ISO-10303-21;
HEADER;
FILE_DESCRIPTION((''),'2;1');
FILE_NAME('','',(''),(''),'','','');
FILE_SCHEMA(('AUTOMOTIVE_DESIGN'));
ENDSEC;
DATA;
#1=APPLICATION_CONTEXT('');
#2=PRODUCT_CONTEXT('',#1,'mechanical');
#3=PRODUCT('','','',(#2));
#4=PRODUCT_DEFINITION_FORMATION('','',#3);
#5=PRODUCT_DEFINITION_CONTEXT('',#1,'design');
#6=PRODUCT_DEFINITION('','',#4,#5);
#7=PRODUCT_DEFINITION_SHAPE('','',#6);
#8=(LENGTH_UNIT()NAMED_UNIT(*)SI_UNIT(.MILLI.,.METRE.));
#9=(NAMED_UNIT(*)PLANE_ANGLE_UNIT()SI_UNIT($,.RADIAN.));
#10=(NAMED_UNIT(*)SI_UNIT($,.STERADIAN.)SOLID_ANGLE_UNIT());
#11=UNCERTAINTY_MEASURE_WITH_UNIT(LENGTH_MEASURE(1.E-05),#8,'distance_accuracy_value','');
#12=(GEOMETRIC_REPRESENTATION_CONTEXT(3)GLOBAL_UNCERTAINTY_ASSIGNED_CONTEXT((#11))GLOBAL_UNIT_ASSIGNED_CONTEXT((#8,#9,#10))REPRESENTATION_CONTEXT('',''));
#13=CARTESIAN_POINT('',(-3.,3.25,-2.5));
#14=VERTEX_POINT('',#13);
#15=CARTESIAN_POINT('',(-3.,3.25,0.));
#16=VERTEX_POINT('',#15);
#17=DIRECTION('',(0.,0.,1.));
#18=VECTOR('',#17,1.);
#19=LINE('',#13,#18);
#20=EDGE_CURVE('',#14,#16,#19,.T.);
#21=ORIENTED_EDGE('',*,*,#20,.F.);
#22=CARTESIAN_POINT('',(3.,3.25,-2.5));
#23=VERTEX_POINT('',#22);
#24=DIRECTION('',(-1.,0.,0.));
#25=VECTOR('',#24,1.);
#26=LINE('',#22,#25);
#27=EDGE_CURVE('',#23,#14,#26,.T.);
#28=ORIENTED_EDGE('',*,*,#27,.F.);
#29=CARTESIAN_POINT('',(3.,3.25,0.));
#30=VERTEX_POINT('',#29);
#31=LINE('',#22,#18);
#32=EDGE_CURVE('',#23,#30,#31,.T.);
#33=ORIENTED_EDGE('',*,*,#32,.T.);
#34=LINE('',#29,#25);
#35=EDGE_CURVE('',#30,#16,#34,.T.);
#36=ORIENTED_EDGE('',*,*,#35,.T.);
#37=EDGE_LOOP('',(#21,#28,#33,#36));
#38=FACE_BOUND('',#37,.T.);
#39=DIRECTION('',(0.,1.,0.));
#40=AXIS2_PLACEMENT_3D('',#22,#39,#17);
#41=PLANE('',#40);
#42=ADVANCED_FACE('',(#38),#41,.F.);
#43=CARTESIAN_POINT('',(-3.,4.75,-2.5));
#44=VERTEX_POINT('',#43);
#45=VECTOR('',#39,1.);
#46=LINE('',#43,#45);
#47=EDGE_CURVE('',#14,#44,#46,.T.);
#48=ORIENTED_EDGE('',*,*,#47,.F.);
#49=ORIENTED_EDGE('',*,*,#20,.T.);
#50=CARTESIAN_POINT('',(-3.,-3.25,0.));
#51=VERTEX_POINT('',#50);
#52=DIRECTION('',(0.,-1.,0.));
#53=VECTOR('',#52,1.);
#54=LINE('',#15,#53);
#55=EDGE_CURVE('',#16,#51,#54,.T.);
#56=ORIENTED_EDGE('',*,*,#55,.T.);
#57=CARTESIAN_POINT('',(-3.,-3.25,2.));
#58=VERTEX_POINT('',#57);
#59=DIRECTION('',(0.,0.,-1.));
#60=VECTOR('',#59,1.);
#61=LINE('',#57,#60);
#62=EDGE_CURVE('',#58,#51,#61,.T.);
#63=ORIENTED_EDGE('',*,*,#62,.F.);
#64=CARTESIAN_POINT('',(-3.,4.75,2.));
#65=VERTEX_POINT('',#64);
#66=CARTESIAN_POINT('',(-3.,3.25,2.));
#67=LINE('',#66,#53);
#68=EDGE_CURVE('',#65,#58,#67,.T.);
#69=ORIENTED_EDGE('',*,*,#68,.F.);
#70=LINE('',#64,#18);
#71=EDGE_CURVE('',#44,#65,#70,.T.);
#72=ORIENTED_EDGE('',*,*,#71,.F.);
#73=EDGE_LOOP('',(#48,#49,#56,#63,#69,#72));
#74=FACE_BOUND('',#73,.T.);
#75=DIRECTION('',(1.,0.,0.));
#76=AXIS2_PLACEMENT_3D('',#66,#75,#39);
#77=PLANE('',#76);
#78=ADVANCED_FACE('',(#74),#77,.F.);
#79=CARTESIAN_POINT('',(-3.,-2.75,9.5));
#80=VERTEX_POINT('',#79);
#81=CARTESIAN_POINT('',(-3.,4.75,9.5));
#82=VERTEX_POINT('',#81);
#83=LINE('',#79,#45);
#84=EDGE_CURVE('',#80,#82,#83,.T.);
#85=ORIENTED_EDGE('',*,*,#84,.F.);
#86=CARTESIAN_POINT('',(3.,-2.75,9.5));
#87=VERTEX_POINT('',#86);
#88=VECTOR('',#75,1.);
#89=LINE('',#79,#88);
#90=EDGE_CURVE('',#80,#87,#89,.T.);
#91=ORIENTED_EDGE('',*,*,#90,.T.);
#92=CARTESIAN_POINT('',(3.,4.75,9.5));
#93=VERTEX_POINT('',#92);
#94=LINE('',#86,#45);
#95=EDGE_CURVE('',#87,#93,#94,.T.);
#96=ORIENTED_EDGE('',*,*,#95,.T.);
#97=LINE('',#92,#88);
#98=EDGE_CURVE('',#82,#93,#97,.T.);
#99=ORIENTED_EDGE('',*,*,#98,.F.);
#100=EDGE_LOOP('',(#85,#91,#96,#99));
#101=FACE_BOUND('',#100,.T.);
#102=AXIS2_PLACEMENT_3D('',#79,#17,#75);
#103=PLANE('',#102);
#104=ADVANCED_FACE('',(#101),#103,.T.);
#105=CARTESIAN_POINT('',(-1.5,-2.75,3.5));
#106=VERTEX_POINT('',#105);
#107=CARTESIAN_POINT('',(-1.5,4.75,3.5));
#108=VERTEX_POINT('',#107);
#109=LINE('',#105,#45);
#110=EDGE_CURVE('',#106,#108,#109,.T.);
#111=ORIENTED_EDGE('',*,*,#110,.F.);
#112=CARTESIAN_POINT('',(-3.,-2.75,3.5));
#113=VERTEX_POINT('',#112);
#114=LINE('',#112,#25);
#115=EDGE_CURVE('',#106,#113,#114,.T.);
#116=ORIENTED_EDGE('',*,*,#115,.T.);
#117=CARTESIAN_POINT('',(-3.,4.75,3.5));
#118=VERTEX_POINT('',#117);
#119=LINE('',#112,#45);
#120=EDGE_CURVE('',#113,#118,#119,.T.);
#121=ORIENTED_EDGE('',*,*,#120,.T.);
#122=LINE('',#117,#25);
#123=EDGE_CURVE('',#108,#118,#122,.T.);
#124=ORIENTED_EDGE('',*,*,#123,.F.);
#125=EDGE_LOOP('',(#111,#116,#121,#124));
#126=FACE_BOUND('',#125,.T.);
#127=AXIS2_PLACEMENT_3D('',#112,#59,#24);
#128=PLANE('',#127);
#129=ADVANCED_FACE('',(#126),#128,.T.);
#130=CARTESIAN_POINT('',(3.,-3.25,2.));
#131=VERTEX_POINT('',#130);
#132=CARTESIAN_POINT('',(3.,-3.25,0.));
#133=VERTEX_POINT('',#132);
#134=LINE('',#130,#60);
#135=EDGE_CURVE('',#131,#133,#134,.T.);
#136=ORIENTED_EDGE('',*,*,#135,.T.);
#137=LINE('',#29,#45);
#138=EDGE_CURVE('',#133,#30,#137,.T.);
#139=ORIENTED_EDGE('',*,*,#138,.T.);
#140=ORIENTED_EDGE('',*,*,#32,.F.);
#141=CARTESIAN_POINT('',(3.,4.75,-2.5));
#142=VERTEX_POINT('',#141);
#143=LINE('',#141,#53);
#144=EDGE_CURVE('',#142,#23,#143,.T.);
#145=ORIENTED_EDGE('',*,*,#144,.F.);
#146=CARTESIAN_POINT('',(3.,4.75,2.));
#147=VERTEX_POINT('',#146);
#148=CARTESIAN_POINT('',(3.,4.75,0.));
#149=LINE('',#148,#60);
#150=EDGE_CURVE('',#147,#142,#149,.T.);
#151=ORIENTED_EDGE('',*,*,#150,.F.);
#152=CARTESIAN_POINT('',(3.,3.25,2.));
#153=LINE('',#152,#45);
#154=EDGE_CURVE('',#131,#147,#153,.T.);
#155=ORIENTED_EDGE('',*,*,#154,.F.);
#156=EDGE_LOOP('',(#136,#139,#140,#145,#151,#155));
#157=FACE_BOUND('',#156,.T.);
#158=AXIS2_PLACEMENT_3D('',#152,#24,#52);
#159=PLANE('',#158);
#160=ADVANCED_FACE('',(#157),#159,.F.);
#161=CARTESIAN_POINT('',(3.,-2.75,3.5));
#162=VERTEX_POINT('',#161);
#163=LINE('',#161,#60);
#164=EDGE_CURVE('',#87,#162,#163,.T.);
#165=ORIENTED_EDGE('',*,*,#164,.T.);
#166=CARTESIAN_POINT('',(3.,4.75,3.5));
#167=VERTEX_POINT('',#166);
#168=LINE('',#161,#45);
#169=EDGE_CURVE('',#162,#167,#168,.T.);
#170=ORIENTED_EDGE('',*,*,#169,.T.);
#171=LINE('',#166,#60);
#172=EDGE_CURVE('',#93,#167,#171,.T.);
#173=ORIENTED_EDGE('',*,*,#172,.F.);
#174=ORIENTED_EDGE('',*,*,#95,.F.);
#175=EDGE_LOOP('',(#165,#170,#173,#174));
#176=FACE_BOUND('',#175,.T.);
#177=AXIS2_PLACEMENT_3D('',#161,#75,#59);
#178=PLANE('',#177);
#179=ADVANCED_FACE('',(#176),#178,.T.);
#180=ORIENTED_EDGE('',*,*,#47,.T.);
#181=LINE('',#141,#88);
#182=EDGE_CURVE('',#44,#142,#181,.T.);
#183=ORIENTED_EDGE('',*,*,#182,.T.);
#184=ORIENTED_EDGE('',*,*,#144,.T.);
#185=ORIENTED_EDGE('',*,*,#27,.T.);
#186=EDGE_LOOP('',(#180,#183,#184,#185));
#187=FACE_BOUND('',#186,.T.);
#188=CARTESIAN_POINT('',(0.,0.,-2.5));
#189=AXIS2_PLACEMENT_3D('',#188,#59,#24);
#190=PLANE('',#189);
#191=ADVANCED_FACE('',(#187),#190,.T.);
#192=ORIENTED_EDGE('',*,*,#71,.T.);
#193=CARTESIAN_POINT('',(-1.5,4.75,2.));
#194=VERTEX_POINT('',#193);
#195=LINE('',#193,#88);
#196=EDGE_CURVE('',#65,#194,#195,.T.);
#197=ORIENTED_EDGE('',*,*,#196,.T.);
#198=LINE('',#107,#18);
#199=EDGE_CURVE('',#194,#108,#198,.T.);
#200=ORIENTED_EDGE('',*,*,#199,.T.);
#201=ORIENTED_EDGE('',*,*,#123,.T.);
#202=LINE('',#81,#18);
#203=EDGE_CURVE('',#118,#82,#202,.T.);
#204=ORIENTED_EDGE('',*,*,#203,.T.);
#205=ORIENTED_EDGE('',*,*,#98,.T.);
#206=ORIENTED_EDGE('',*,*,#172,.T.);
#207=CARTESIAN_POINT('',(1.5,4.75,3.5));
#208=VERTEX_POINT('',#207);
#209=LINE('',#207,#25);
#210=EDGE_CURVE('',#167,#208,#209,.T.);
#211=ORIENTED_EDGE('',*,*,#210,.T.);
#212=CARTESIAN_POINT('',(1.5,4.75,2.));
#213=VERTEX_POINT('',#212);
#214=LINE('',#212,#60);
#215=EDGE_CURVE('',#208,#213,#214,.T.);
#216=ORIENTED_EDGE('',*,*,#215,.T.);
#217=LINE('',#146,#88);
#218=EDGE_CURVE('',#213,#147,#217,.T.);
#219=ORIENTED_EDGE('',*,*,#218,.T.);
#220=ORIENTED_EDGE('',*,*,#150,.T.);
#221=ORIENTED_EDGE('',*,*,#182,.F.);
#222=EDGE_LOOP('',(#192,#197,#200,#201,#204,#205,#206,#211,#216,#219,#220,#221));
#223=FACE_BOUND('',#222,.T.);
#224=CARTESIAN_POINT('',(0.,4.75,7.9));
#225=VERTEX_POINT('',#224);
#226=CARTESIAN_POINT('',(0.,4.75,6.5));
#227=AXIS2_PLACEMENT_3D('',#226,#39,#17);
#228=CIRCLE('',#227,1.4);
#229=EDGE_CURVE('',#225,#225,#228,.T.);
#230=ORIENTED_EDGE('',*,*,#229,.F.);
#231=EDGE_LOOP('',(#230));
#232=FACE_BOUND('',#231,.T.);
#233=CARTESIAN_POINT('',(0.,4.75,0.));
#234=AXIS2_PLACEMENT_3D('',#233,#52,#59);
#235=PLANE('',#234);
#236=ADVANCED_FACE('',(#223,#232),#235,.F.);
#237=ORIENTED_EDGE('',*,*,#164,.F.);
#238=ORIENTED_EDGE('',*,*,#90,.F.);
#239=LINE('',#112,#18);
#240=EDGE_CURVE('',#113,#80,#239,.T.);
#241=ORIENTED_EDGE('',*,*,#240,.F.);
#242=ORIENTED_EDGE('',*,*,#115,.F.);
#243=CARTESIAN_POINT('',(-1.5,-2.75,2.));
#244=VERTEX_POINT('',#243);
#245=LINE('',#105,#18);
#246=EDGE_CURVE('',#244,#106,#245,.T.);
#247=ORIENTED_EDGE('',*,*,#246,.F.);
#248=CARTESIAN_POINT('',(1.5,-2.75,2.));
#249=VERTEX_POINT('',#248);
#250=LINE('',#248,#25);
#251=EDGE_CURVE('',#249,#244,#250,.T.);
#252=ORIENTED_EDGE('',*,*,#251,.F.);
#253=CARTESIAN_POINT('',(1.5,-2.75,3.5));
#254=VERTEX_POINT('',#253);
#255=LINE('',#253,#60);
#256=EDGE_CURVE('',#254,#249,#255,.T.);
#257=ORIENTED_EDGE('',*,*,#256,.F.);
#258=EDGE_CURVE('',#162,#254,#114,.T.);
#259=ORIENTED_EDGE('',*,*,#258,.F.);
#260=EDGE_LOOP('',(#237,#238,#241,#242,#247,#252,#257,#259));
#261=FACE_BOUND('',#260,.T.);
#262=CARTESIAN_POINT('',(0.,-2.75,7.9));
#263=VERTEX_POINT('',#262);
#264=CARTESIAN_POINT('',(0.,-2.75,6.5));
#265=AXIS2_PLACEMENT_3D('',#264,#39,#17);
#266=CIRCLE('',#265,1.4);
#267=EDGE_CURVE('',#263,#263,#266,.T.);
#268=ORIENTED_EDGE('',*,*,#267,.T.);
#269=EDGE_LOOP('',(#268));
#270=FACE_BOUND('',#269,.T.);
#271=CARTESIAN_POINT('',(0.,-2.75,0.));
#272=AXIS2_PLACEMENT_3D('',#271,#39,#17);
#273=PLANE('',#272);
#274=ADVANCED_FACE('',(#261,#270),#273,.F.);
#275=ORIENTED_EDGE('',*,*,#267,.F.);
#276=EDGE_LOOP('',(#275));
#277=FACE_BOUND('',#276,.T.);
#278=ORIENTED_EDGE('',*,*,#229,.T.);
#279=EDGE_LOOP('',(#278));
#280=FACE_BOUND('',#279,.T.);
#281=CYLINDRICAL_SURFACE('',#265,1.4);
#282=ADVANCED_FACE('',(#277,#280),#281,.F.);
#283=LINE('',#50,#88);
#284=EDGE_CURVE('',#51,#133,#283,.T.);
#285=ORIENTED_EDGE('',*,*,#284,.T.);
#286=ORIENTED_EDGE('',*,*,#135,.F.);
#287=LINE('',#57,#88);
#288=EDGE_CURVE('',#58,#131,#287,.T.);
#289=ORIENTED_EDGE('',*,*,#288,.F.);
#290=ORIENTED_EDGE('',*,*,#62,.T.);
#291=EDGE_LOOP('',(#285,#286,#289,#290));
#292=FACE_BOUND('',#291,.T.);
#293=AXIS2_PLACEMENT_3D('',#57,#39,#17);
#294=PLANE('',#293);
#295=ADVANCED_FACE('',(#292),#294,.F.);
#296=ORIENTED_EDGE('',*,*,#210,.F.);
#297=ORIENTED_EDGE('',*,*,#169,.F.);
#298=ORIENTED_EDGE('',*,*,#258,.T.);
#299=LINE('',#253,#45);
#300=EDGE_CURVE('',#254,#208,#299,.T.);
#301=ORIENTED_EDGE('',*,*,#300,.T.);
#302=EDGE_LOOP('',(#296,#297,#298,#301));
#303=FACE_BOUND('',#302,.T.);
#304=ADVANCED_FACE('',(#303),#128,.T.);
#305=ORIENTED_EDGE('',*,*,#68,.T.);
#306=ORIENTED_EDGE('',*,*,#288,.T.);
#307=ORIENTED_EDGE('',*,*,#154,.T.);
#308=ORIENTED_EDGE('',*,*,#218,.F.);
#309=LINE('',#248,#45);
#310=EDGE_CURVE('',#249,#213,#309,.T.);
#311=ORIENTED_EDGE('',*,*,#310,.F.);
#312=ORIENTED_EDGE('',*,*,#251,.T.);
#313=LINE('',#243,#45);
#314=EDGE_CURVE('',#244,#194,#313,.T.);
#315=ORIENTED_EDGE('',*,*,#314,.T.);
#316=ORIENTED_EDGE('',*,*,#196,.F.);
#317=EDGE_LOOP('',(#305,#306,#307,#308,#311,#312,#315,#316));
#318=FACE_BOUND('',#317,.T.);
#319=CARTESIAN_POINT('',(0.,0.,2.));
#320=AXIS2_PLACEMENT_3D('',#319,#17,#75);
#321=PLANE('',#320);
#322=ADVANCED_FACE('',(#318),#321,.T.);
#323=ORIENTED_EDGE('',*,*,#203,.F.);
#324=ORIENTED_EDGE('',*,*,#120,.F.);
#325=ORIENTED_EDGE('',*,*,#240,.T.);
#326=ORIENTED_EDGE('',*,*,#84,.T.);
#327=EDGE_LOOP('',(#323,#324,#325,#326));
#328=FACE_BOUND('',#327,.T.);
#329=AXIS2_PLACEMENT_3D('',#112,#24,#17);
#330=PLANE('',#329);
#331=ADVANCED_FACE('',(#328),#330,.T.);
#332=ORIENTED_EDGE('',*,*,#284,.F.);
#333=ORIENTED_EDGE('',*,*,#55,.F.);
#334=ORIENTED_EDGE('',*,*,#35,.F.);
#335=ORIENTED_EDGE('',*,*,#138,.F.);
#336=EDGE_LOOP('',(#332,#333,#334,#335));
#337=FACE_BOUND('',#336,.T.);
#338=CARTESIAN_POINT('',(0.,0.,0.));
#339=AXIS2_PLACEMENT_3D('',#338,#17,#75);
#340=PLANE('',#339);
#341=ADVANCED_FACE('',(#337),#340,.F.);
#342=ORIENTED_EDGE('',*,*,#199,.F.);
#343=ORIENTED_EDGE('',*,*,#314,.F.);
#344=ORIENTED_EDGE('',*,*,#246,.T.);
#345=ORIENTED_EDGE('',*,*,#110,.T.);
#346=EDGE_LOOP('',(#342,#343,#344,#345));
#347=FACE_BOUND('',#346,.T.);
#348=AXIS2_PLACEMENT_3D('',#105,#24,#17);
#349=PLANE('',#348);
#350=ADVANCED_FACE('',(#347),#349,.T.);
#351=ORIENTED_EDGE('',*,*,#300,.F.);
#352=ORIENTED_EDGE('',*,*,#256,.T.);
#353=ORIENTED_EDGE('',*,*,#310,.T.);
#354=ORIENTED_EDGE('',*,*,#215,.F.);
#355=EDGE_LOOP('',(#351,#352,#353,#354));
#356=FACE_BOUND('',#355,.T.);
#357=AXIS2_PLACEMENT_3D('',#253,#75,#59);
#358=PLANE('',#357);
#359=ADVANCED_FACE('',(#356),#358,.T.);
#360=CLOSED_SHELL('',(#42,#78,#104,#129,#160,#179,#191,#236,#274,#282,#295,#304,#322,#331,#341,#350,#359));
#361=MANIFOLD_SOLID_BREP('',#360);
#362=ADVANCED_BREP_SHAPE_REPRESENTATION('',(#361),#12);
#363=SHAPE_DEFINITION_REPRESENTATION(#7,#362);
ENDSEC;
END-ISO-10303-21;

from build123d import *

# Parameters (mm, degrees)
SKETCH3_W           = 6
SKETCH3_H           = 6.5
BOSS_EXTRUDE3_DEPTH = 2
SKETCH4_W           = 3
SKETCH4_H           = 1.5
BOSS_EXTRUDE4_DEPTH = 6
SKETCH5_W           = 6
SKETCH5_H           = 6
SKETCH5_R           = 1.4
BOSS_EXTRUDE5_DEPTH = 6
BOSS_EXTRUDE6_START = 1.5
SKETCH9_R           = 1.4
BOSS_EXTRUDE6_DEPTH = 1.5
SKETCH10_W          = 6
SKETCH10_H          = 1.5
BOSS_EXTRUDE7_DEPTH = 2.5


with BuildPart() as part:
    # Sketch3 → Boss-Extrude3 (new body)
    with BuildSketch(Plane.XY):
        Rectangle(SKETCH3_W, SKETCH3_H)
    extrude(amount=BOSS_EXTRUDE3_DEPTH)

    # Sketch4 → Boss-Extrude4 (add)
    with BuildSketch(Plane(origin=(0, 3.25, 0), x_dir=(1, 0, 0), z_dir=(0, 1, 0))):
        with Locations((0, -2.75)):
            Rectangle(SKETCH4_W, SKETCH4_H)
    extrude(amount=-BOSS_EXTRUDE4_DEPTH)

    # Sketch5 → Boss-Extrude5 (add)
    with BuildSketch(Plane(origin=(0, 3.25, 0), x_dir=(1, 0, 0), z_dir=(0, 1, 0))):
        with Locations((0, -6.5)):
            Rectangle(SKETCH5_W, SKETCH5_H)
        with Locations(Location((0, -6.5, 0), (0, 0, 270))):
            Circle(SKETCH5_R, mode=Mode.SUBTRACT)
    extrude(amount=-BOSS_EXTRUDE5_DEPTH)

    # Sketch9 → Boss-Extrude6 (add)
    with BuildSketch(Plane(origin=(0, 3.25, 0), x_dir=(1, 0, 0), z_dir=(0, 1, 0)).offset(BOSS_EXTRUDE6_START)):
        Polygon((3, -9.5), (-3, -9.5), (-3, -3.5), (-1.5, -3.5), (-1.5, -2), (-3, -2), (-3, 0), (3, 0), (3, -2), (1.5, -2), (1.5, -3.5), (3, -3.5), align=None)
        with Locations(Location((0, -6.5, 0), (0, 0, 270))):
            Circle(SKETCH9_R, mode=Mode.SUBTRACT)
    extrude(amount=-BOSS_EXTRUDE6_DEPTH)

    # Sketch10 → Boss-Extrude7 (add)
    with BuildSketch(Plane(origin=(0, 0, 0), x_dir=(-1, 0, 0), z_dir=(0, 0, -1))):
        with Locations((0, 4)):
            Rectangle(SKETCH10_W, SKETCH10_H)
    extrude(amount=BOSS_EXTRUDE7_DEPTH)


solid = part.part
